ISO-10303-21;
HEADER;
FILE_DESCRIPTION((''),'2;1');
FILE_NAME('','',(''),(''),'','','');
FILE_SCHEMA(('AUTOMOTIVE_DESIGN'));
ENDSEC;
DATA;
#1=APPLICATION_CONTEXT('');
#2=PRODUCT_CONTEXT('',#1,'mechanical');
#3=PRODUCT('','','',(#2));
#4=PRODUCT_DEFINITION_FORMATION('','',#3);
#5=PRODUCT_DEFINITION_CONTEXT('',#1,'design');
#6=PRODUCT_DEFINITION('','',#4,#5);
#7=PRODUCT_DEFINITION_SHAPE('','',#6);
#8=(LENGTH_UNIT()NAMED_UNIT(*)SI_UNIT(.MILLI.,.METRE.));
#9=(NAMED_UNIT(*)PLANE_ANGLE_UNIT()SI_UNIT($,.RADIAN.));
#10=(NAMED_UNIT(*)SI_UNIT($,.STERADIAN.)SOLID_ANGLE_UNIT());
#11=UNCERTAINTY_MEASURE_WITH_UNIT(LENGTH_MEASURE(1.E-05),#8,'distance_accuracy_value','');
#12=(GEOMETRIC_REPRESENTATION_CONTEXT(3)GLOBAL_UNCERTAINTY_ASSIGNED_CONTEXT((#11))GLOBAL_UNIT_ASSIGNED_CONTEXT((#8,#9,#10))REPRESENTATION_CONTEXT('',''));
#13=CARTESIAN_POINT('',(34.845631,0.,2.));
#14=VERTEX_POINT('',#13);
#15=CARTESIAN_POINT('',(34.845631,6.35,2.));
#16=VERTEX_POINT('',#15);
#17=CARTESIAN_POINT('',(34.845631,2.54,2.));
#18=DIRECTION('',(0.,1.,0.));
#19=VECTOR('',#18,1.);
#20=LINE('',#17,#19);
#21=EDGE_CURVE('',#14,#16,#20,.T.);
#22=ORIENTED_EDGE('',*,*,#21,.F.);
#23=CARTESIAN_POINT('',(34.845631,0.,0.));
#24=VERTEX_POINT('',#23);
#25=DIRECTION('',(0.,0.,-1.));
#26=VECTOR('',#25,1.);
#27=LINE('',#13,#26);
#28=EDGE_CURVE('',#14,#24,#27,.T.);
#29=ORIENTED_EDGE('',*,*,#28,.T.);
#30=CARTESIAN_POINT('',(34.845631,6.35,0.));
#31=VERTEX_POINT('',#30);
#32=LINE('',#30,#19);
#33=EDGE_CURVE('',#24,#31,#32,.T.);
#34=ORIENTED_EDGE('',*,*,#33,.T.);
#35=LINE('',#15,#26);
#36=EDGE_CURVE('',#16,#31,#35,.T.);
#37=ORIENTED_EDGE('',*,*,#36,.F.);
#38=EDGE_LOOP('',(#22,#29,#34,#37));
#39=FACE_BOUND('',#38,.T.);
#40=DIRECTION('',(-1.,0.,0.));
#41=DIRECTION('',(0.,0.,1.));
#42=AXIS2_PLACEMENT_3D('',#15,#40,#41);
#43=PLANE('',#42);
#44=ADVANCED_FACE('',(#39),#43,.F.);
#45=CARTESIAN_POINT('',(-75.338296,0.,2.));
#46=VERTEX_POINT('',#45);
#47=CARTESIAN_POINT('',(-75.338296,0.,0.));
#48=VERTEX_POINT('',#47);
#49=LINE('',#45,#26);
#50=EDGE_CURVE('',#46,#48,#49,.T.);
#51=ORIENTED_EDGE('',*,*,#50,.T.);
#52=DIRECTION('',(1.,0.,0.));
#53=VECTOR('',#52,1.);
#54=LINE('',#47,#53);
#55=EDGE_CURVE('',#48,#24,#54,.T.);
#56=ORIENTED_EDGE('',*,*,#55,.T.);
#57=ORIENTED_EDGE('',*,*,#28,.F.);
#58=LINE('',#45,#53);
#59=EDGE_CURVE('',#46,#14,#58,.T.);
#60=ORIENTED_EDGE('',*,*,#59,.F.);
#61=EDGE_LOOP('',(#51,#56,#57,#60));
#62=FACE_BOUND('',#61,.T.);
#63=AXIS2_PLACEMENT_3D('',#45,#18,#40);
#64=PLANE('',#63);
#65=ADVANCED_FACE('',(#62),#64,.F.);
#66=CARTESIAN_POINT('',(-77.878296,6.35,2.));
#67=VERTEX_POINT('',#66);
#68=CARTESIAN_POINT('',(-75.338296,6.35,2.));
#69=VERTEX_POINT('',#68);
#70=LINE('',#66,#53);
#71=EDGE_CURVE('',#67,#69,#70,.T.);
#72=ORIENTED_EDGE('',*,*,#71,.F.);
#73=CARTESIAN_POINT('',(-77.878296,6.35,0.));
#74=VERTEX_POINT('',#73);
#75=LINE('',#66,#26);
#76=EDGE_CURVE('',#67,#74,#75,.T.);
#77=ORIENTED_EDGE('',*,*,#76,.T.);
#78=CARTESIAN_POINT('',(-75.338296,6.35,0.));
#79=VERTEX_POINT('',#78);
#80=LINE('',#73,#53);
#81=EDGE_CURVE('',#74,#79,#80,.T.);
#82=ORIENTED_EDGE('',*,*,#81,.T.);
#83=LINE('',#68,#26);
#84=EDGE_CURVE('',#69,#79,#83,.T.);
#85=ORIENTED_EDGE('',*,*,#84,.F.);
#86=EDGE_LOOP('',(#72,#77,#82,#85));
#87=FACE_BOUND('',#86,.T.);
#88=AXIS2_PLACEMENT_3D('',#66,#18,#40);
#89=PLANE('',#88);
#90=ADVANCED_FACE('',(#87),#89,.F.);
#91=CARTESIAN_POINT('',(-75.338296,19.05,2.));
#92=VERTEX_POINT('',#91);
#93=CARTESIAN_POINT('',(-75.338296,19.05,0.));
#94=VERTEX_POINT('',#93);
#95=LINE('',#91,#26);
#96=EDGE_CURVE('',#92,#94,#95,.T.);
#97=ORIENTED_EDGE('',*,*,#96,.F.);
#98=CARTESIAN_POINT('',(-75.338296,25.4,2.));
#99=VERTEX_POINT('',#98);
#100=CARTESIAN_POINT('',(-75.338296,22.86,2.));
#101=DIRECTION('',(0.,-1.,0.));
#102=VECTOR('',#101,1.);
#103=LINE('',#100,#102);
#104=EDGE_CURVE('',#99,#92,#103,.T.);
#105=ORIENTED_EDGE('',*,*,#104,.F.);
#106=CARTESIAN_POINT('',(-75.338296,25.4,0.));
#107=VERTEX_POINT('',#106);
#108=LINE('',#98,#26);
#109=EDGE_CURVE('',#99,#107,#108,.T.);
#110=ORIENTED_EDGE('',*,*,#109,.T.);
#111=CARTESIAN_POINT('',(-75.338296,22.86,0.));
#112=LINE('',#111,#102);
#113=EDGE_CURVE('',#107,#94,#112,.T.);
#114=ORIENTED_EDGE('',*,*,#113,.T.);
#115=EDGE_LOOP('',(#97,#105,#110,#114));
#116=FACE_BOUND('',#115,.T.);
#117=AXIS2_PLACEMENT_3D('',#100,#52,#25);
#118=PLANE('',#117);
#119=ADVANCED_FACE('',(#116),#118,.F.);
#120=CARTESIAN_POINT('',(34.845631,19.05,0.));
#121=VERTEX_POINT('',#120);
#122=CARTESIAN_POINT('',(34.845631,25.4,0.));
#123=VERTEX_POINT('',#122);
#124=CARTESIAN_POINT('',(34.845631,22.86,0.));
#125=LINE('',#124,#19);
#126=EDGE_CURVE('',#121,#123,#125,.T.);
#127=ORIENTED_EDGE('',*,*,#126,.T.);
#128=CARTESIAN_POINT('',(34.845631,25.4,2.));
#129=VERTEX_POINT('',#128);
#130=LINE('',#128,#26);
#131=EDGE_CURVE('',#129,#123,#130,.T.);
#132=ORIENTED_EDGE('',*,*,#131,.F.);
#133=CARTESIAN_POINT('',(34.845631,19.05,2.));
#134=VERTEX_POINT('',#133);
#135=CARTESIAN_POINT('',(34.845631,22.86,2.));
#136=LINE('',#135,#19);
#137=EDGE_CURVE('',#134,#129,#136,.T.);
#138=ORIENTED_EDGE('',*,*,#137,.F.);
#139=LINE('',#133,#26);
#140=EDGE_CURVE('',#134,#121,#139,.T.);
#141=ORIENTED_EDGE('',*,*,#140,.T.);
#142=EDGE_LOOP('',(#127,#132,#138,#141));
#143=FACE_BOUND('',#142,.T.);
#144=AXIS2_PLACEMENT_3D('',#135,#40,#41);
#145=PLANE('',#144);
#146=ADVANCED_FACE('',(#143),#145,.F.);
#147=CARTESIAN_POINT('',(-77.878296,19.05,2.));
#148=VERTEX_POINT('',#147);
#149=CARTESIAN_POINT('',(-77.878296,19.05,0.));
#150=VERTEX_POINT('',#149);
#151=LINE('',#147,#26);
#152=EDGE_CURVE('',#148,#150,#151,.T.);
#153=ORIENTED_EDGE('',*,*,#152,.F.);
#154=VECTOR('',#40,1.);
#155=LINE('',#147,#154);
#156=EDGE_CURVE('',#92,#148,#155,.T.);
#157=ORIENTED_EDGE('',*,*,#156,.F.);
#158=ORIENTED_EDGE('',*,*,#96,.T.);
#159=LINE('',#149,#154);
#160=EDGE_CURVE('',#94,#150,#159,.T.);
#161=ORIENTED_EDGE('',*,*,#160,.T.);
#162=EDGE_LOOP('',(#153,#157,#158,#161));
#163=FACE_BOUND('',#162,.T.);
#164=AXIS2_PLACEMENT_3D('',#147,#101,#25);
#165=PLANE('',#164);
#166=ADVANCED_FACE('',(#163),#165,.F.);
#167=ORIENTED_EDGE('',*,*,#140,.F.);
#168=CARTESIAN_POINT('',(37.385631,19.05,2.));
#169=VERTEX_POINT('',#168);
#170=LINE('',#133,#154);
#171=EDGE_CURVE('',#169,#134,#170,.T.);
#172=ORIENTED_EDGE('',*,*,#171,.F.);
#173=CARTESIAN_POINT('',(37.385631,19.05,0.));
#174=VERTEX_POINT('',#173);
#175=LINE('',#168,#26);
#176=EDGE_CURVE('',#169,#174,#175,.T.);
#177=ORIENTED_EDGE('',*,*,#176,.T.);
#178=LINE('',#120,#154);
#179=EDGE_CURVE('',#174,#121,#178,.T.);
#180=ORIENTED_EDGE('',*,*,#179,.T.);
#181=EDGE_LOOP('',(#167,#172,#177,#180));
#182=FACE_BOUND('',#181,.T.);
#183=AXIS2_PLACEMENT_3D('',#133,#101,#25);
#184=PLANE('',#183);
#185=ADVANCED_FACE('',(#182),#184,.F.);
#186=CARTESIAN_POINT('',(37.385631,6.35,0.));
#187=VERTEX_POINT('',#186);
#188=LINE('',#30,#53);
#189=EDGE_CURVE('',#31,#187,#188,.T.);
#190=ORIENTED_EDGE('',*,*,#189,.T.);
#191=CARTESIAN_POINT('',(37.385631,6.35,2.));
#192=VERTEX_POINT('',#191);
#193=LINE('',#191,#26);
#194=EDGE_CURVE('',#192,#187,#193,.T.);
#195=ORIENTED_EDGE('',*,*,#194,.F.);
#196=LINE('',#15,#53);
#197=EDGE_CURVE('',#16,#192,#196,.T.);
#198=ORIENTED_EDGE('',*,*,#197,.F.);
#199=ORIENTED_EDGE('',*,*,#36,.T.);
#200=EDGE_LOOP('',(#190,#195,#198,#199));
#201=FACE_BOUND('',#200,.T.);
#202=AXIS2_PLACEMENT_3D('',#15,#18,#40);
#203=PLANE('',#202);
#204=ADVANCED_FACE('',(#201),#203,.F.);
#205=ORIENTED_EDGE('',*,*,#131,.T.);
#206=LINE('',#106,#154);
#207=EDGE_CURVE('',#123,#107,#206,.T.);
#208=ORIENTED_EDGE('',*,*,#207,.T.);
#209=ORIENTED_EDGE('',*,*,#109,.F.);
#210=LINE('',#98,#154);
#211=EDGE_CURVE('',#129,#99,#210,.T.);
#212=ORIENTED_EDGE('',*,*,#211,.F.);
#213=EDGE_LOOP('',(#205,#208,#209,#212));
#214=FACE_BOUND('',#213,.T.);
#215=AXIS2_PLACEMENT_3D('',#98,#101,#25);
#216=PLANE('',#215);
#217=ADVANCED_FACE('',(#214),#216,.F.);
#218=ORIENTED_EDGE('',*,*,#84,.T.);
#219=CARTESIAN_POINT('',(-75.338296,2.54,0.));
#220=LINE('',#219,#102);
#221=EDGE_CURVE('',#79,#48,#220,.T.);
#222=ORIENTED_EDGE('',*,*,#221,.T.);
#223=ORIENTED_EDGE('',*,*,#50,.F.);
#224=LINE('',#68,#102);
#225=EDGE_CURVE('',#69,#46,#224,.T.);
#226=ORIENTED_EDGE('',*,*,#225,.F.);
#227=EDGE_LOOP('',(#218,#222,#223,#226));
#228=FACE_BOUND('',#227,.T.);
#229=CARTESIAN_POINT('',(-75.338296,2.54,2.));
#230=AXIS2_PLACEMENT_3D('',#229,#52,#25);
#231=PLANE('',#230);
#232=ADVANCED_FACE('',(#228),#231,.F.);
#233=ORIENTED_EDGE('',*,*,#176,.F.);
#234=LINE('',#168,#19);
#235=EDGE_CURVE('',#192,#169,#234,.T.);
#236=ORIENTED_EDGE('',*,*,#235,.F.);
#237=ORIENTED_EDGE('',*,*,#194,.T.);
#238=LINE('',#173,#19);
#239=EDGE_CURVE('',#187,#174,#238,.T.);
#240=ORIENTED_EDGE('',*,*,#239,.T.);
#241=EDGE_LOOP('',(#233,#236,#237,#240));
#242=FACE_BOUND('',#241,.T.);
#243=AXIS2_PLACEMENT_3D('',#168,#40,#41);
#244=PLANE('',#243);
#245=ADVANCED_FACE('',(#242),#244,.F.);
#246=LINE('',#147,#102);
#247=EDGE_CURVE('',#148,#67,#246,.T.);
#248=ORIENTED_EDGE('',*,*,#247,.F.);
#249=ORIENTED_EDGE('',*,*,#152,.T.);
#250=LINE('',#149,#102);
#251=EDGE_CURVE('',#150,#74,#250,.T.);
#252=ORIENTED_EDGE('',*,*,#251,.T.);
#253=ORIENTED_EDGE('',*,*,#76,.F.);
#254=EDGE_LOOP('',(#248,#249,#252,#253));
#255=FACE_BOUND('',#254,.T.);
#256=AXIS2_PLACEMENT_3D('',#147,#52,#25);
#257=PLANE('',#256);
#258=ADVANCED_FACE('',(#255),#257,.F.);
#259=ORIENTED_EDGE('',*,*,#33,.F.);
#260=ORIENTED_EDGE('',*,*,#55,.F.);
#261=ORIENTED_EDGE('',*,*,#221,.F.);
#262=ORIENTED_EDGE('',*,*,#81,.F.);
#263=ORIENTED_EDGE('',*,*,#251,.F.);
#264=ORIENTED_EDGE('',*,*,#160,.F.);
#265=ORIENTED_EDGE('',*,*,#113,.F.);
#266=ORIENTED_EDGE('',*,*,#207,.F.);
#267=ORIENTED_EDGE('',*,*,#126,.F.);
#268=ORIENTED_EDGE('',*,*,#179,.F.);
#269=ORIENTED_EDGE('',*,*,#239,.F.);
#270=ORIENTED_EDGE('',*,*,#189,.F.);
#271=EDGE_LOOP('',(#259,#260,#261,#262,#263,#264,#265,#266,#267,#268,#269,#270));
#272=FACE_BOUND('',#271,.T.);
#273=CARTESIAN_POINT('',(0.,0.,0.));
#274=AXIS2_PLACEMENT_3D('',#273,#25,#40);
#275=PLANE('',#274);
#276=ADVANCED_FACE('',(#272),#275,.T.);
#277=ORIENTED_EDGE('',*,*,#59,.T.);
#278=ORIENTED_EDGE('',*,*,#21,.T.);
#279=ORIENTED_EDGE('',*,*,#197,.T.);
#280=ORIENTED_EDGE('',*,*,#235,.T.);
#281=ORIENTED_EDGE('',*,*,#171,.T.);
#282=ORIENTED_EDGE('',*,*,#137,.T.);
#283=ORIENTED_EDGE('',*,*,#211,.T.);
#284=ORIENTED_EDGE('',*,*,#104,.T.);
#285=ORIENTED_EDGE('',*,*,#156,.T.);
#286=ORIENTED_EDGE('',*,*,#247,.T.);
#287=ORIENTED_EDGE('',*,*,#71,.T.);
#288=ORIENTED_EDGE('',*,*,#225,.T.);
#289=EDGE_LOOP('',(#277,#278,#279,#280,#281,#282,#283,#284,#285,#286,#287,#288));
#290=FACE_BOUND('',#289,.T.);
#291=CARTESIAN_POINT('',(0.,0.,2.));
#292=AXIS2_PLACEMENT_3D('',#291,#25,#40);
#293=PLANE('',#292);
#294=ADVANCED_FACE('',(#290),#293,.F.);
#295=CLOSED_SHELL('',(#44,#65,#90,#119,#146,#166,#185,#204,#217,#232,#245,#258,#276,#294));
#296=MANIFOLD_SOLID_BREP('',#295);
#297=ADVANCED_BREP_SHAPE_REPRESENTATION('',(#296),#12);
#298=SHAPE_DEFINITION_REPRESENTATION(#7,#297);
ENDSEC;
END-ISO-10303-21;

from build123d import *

# Parameters (mm, degrees)
BOSS_EXTRUDE1_DEPTH = 2


with BuildPart() as part:
    # Sketch1 → Boss-Extrude1 (new body)
    with BuildSketch(Plane.XY):
        Polygon((-75.338295952, 22.86), (-75.338295952, 19.05), (-77.878295952, 19.05), (-77.878295952, 6.35), (-75.338295952, 6.35), (-75.338295952, 2.54), (-75.338295952, 0), (34.845630769, 0), (34.845630769, 2.54), (34.845630769, 6.35), (37.385630769, 6.35), (37.385630769, 19.05), (34.845630769, 19.05), (34.845630769, 22.86), (34.845630769, 25.4), (-75.338295952, 25.4), align=None)
    extrude(amount=BOSS_EXTRUDE1_DEPTH)


solid = part.part
